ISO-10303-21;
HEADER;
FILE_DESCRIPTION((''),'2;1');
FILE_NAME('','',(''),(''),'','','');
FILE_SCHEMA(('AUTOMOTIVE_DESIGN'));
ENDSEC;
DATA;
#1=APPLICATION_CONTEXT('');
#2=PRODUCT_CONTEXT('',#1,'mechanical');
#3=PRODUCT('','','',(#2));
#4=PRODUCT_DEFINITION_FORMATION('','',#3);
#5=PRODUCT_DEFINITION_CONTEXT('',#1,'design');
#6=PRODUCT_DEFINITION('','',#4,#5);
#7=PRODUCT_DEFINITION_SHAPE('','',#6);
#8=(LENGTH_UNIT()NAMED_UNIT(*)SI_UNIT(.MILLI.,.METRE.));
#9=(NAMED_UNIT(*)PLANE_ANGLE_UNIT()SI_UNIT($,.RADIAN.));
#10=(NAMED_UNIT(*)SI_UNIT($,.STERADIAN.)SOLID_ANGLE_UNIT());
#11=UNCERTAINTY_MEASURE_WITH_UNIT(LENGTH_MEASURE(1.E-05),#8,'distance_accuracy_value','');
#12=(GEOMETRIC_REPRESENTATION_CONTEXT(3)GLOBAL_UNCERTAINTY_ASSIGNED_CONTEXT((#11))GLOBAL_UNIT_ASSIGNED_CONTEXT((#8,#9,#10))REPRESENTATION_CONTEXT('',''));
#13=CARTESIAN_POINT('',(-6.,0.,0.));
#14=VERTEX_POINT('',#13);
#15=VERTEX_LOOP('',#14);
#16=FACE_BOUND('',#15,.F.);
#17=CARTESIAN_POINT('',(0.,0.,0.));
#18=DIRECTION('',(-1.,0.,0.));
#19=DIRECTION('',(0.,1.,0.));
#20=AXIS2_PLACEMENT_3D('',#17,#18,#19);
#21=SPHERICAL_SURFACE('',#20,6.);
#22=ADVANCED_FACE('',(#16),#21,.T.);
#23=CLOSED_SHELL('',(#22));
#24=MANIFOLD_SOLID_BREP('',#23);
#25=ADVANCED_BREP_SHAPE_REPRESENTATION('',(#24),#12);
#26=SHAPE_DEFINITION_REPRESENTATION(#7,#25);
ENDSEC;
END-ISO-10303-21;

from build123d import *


with BuildPart() as part:
    # 草图1 → 旋转10 (revolve)
    with BuildSketch(Plane.XY):
        with BuildLine():
            Line((-6, 0), (6, 0))
            ThreePointArc((6, 0), (0, 6), (-6, 0))
        make_face()
    revolve(axis=Axis((0, 0, 0), (1, 0, 0)))


solid = part.part
